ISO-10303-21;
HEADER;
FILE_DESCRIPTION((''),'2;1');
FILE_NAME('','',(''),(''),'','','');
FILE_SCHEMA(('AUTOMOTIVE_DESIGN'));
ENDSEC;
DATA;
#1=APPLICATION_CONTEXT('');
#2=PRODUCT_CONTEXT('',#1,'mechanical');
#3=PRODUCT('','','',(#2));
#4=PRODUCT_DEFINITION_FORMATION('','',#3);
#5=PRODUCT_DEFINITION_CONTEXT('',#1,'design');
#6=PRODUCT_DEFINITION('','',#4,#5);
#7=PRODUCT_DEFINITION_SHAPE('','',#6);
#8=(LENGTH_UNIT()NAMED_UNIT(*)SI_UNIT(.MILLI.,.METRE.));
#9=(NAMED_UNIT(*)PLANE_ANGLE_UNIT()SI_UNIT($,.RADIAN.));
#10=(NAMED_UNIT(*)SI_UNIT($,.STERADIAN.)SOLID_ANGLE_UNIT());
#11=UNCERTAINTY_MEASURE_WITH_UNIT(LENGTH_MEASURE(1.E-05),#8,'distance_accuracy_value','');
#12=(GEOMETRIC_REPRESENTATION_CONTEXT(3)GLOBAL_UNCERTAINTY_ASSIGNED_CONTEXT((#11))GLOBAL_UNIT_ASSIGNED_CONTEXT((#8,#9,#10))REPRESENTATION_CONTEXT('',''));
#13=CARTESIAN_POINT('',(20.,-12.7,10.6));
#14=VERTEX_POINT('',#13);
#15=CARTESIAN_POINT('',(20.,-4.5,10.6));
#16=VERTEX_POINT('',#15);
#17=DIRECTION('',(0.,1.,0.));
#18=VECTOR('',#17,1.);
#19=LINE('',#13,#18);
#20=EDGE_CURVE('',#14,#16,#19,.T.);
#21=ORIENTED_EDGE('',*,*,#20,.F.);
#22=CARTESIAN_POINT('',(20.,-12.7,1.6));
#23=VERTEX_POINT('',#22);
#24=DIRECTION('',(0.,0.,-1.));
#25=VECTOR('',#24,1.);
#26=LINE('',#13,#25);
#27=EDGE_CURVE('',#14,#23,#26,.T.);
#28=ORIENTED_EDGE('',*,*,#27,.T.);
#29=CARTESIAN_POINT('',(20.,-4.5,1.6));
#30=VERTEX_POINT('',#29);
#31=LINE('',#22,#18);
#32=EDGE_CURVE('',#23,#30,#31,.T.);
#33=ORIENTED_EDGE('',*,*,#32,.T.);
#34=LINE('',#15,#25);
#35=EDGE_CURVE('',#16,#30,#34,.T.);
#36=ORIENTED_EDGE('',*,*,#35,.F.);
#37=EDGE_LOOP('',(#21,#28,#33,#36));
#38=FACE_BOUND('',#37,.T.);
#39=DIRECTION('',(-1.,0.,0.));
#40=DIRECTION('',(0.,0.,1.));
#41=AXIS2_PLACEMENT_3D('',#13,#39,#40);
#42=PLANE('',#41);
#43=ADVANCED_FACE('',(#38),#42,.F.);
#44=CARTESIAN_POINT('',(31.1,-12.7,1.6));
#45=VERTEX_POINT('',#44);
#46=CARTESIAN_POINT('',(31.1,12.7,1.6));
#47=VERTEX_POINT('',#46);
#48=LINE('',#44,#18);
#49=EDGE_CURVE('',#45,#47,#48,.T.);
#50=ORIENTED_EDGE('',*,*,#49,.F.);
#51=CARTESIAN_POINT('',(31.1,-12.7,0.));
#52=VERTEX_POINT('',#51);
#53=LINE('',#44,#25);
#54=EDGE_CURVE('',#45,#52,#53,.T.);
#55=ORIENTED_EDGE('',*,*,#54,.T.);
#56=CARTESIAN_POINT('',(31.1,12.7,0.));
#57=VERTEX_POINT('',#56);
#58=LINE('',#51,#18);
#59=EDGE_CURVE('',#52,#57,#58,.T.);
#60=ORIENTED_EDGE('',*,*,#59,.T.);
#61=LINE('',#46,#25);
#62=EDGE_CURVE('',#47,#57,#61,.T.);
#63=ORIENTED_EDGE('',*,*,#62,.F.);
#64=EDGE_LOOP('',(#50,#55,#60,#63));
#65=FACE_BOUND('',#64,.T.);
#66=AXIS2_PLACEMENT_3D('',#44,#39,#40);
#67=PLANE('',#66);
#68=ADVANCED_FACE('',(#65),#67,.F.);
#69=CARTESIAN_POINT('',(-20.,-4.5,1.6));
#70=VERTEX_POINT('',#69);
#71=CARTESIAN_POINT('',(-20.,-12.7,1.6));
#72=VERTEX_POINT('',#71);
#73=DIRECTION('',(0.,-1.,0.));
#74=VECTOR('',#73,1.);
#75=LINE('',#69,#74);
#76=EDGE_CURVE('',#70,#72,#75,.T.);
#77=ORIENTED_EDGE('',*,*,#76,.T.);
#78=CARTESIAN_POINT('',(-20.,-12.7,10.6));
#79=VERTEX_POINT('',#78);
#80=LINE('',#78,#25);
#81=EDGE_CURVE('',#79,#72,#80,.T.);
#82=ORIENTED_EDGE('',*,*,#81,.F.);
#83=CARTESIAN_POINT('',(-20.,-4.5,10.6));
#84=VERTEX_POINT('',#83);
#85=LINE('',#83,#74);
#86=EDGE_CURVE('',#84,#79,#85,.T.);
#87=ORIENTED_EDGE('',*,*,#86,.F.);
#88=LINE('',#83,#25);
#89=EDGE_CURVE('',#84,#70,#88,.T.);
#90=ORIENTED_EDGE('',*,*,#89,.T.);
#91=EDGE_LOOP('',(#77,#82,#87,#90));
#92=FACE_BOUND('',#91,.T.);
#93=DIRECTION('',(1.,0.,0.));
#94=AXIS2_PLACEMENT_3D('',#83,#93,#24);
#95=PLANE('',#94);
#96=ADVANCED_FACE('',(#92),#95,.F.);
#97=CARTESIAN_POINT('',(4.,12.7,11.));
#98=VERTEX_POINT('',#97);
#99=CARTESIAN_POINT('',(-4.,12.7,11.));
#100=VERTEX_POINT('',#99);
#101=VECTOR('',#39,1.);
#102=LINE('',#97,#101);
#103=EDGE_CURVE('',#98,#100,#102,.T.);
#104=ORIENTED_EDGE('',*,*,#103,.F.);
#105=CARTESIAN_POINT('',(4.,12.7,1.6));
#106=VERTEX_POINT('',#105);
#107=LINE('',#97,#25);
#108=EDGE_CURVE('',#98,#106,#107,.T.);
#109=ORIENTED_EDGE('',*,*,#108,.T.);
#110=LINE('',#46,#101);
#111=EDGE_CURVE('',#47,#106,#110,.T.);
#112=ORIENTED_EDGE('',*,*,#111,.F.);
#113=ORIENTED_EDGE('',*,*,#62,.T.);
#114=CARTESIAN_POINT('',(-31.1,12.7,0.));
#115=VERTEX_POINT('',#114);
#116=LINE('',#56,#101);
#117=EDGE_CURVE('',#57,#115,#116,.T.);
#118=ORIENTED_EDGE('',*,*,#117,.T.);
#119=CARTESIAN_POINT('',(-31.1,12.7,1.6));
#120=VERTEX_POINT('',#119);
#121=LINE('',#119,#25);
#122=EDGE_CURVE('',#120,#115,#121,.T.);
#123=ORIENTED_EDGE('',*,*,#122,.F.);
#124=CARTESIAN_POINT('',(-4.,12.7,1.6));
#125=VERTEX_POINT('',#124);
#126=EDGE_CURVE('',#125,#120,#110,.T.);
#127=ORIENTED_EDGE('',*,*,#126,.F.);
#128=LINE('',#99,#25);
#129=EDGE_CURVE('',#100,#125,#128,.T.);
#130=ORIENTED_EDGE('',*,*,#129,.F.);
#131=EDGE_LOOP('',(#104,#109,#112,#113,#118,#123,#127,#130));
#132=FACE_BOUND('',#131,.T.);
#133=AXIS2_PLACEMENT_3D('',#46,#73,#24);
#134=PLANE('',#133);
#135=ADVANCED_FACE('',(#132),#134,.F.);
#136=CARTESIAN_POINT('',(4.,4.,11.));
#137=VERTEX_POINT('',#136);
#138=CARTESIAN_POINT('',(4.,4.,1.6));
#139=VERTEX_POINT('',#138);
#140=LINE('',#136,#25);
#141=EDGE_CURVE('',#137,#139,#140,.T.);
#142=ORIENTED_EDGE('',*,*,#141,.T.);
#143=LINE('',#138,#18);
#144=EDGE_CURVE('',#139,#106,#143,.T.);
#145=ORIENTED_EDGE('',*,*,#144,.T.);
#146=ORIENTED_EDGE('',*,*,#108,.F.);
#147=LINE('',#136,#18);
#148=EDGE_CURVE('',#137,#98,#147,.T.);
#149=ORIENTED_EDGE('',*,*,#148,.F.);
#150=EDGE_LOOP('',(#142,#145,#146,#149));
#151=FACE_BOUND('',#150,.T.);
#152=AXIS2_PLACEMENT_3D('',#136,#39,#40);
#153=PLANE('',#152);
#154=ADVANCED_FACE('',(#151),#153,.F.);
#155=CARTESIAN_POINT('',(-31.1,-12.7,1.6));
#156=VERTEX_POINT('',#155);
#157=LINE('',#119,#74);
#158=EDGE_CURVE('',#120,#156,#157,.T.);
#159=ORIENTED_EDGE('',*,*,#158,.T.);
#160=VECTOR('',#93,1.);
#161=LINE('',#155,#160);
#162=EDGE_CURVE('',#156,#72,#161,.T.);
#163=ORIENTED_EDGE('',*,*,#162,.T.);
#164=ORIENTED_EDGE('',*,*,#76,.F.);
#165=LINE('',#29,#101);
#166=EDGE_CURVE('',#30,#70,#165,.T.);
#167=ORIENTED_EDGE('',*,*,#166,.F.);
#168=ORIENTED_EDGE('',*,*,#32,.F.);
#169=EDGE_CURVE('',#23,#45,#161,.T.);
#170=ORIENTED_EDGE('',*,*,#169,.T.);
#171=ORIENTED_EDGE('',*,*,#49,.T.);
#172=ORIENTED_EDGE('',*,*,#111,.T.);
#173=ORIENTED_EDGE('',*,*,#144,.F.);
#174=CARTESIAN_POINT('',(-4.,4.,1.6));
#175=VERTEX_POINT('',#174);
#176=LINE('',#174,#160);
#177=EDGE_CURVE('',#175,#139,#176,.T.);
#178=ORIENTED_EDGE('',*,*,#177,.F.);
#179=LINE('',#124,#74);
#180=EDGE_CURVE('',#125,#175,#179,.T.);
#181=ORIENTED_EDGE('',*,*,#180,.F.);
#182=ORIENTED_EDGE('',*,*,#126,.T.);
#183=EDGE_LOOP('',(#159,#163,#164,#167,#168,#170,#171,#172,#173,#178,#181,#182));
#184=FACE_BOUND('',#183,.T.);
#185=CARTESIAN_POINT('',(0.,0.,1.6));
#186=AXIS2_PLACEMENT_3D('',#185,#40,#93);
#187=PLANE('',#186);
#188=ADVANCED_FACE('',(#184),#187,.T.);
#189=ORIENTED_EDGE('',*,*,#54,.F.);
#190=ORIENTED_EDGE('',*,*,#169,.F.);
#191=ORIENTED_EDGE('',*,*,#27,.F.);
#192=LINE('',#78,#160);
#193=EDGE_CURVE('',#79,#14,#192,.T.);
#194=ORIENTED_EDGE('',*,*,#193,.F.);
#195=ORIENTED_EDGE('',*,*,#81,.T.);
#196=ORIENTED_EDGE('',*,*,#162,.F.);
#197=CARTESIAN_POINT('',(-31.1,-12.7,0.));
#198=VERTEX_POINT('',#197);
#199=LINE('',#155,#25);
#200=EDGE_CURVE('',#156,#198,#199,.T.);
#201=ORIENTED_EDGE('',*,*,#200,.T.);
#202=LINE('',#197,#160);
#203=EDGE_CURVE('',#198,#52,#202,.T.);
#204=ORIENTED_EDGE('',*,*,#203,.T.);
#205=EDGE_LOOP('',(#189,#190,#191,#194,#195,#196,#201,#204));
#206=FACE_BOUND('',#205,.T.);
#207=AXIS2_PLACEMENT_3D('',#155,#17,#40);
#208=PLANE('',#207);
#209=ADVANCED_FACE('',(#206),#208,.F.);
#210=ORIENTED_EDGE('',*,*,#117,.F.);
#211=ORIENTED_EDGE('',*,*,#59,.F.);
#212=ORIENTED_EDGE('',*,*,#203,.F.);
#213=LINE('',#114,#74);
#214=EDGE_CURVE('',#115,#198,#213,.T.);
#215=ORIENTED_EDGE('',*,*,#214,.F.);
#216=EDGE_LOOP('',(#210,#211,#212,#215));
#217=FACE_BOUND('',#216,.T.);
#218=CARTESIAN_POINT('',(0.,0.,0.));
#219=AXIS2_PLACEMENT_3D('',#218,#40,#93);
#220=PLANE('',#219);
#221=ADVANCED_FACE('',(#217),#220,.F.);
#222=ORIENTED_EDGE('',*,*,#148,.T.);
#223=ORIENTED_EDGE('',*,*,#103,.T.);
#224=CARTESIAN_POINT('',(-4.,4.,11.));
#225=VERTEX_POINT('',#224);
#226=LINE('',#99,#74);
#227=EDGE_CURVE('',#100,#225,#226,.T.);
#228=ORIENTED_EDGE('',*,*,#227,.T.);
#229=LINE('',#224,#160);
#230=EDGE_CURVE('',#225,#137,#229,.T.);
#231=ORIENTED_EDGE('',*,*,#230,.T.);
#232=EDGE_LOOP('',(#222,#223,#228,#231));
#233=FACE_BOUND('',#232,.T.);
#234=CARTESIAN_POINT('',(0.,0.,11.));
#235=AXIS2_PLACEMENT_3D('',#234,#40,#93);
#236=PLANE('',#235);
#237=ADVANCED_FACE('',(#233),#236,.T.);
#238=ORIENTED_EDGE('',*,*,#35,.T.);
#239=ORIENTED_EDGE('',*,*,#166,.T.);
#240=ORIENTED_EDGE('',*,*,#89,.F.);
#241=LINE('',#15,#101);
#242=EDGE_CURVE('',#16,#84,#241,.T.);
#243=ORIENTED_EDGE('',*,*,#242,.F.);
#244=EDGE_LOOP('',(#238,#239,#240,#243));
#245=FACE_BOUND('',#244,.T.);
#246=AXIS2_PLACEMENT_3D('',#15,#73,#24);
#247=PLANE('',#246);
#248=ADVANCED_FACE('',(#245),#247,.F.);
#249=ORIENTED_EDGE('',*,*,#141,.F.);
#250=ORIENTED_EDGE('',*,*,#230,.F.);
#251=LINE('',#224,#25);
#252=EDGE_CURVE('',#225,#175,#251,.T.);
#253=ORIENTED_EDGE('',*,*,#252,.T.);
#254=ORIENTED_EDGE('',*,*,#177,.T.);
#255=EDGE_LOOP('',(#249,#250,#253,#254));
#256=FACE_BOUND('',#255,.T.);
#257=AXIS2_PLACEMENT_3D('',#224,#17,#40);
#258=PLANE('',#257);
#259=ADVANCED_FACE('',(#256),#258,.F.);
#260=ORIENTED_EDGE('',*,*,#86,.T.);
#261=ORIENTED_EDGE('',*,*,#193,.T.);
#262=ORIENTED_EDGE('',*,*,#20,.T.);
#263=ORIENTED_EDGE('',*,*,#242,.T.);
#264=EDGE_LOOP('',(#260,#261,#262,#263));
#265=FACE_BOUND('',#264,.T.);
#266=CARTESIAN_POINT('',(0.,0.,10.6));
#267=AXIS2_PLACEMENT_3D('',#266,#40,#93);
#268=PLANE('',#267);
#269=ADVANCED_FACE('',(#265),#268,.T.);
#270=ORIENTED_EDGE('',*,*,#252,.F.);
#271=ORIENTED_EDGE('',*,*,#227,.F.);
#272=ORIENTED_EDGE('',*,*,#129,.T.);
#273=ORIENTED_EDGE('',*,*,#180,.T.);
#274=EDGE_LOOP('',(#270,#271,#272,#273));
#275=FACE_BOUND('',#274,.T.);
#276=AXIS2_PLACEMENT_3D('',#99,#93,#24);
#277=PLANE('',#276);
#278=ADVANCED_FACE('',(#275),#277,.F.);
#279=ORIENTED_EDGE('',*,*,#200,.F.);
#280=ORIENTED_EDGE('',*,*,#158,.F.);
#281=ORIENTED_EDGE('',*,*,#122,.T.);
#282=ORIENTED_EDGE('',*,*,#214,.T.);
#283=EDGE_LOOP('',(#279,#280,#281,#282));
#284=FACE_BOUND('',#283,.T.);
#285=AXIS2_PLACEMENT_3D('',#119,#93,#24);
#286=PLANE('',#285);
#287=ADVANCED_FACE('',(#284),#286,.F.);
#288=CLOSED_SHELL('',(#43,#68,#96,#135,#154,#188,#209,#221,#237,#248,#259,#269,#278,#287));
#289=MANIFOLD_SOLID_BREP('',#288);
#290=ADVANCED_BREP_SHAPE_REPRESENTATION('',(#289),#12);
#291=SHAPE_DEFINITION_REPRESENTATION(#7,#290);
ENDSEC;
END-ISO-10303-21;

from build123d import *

# Parameters (mm, degrees)
SKETCH1_W           = 62.2
SKETCH1_H           = 25.4
PCB_DEPTH           = 1.6
SKETCH2_W           = 40
SKETCH2_H           = 8.2
SERVO_HEADERS_DEPTH = 9
SKETCH3_W           = 8
SKETCH3_H           = 8.7
V_TERMINAL_DEPTH    = 9.4


with BuildPart() as part:
    # Sketch1 → PCB (new body)
    with BuildSketch(Plane.XY):
        Rectangle(SKETCH1_W, SKETCH1_H)
    extrude(amount=PCB_DEPTH)

    # Sketch2 → Servo_headers (add)
    with BuildSketch(Plane.XY.offset(1.6)):
        with Locations((0, -8.6)):
            Rectangle(SKETCH2_W, SKETCH2_H)
    extrude(amount=SERVO_HEADERS_DEPTH)

    # Sketch3 → V+_terminal (add)
    with BuildSketch(Plane.XY.offset(1.6)):
        with Locations((0, 8.35)):
            Rectangle(SKETCH3_W, SKETCH3_H)
    extrude(amount=V_TERMINAL_DEPTH)


solid = part.part
